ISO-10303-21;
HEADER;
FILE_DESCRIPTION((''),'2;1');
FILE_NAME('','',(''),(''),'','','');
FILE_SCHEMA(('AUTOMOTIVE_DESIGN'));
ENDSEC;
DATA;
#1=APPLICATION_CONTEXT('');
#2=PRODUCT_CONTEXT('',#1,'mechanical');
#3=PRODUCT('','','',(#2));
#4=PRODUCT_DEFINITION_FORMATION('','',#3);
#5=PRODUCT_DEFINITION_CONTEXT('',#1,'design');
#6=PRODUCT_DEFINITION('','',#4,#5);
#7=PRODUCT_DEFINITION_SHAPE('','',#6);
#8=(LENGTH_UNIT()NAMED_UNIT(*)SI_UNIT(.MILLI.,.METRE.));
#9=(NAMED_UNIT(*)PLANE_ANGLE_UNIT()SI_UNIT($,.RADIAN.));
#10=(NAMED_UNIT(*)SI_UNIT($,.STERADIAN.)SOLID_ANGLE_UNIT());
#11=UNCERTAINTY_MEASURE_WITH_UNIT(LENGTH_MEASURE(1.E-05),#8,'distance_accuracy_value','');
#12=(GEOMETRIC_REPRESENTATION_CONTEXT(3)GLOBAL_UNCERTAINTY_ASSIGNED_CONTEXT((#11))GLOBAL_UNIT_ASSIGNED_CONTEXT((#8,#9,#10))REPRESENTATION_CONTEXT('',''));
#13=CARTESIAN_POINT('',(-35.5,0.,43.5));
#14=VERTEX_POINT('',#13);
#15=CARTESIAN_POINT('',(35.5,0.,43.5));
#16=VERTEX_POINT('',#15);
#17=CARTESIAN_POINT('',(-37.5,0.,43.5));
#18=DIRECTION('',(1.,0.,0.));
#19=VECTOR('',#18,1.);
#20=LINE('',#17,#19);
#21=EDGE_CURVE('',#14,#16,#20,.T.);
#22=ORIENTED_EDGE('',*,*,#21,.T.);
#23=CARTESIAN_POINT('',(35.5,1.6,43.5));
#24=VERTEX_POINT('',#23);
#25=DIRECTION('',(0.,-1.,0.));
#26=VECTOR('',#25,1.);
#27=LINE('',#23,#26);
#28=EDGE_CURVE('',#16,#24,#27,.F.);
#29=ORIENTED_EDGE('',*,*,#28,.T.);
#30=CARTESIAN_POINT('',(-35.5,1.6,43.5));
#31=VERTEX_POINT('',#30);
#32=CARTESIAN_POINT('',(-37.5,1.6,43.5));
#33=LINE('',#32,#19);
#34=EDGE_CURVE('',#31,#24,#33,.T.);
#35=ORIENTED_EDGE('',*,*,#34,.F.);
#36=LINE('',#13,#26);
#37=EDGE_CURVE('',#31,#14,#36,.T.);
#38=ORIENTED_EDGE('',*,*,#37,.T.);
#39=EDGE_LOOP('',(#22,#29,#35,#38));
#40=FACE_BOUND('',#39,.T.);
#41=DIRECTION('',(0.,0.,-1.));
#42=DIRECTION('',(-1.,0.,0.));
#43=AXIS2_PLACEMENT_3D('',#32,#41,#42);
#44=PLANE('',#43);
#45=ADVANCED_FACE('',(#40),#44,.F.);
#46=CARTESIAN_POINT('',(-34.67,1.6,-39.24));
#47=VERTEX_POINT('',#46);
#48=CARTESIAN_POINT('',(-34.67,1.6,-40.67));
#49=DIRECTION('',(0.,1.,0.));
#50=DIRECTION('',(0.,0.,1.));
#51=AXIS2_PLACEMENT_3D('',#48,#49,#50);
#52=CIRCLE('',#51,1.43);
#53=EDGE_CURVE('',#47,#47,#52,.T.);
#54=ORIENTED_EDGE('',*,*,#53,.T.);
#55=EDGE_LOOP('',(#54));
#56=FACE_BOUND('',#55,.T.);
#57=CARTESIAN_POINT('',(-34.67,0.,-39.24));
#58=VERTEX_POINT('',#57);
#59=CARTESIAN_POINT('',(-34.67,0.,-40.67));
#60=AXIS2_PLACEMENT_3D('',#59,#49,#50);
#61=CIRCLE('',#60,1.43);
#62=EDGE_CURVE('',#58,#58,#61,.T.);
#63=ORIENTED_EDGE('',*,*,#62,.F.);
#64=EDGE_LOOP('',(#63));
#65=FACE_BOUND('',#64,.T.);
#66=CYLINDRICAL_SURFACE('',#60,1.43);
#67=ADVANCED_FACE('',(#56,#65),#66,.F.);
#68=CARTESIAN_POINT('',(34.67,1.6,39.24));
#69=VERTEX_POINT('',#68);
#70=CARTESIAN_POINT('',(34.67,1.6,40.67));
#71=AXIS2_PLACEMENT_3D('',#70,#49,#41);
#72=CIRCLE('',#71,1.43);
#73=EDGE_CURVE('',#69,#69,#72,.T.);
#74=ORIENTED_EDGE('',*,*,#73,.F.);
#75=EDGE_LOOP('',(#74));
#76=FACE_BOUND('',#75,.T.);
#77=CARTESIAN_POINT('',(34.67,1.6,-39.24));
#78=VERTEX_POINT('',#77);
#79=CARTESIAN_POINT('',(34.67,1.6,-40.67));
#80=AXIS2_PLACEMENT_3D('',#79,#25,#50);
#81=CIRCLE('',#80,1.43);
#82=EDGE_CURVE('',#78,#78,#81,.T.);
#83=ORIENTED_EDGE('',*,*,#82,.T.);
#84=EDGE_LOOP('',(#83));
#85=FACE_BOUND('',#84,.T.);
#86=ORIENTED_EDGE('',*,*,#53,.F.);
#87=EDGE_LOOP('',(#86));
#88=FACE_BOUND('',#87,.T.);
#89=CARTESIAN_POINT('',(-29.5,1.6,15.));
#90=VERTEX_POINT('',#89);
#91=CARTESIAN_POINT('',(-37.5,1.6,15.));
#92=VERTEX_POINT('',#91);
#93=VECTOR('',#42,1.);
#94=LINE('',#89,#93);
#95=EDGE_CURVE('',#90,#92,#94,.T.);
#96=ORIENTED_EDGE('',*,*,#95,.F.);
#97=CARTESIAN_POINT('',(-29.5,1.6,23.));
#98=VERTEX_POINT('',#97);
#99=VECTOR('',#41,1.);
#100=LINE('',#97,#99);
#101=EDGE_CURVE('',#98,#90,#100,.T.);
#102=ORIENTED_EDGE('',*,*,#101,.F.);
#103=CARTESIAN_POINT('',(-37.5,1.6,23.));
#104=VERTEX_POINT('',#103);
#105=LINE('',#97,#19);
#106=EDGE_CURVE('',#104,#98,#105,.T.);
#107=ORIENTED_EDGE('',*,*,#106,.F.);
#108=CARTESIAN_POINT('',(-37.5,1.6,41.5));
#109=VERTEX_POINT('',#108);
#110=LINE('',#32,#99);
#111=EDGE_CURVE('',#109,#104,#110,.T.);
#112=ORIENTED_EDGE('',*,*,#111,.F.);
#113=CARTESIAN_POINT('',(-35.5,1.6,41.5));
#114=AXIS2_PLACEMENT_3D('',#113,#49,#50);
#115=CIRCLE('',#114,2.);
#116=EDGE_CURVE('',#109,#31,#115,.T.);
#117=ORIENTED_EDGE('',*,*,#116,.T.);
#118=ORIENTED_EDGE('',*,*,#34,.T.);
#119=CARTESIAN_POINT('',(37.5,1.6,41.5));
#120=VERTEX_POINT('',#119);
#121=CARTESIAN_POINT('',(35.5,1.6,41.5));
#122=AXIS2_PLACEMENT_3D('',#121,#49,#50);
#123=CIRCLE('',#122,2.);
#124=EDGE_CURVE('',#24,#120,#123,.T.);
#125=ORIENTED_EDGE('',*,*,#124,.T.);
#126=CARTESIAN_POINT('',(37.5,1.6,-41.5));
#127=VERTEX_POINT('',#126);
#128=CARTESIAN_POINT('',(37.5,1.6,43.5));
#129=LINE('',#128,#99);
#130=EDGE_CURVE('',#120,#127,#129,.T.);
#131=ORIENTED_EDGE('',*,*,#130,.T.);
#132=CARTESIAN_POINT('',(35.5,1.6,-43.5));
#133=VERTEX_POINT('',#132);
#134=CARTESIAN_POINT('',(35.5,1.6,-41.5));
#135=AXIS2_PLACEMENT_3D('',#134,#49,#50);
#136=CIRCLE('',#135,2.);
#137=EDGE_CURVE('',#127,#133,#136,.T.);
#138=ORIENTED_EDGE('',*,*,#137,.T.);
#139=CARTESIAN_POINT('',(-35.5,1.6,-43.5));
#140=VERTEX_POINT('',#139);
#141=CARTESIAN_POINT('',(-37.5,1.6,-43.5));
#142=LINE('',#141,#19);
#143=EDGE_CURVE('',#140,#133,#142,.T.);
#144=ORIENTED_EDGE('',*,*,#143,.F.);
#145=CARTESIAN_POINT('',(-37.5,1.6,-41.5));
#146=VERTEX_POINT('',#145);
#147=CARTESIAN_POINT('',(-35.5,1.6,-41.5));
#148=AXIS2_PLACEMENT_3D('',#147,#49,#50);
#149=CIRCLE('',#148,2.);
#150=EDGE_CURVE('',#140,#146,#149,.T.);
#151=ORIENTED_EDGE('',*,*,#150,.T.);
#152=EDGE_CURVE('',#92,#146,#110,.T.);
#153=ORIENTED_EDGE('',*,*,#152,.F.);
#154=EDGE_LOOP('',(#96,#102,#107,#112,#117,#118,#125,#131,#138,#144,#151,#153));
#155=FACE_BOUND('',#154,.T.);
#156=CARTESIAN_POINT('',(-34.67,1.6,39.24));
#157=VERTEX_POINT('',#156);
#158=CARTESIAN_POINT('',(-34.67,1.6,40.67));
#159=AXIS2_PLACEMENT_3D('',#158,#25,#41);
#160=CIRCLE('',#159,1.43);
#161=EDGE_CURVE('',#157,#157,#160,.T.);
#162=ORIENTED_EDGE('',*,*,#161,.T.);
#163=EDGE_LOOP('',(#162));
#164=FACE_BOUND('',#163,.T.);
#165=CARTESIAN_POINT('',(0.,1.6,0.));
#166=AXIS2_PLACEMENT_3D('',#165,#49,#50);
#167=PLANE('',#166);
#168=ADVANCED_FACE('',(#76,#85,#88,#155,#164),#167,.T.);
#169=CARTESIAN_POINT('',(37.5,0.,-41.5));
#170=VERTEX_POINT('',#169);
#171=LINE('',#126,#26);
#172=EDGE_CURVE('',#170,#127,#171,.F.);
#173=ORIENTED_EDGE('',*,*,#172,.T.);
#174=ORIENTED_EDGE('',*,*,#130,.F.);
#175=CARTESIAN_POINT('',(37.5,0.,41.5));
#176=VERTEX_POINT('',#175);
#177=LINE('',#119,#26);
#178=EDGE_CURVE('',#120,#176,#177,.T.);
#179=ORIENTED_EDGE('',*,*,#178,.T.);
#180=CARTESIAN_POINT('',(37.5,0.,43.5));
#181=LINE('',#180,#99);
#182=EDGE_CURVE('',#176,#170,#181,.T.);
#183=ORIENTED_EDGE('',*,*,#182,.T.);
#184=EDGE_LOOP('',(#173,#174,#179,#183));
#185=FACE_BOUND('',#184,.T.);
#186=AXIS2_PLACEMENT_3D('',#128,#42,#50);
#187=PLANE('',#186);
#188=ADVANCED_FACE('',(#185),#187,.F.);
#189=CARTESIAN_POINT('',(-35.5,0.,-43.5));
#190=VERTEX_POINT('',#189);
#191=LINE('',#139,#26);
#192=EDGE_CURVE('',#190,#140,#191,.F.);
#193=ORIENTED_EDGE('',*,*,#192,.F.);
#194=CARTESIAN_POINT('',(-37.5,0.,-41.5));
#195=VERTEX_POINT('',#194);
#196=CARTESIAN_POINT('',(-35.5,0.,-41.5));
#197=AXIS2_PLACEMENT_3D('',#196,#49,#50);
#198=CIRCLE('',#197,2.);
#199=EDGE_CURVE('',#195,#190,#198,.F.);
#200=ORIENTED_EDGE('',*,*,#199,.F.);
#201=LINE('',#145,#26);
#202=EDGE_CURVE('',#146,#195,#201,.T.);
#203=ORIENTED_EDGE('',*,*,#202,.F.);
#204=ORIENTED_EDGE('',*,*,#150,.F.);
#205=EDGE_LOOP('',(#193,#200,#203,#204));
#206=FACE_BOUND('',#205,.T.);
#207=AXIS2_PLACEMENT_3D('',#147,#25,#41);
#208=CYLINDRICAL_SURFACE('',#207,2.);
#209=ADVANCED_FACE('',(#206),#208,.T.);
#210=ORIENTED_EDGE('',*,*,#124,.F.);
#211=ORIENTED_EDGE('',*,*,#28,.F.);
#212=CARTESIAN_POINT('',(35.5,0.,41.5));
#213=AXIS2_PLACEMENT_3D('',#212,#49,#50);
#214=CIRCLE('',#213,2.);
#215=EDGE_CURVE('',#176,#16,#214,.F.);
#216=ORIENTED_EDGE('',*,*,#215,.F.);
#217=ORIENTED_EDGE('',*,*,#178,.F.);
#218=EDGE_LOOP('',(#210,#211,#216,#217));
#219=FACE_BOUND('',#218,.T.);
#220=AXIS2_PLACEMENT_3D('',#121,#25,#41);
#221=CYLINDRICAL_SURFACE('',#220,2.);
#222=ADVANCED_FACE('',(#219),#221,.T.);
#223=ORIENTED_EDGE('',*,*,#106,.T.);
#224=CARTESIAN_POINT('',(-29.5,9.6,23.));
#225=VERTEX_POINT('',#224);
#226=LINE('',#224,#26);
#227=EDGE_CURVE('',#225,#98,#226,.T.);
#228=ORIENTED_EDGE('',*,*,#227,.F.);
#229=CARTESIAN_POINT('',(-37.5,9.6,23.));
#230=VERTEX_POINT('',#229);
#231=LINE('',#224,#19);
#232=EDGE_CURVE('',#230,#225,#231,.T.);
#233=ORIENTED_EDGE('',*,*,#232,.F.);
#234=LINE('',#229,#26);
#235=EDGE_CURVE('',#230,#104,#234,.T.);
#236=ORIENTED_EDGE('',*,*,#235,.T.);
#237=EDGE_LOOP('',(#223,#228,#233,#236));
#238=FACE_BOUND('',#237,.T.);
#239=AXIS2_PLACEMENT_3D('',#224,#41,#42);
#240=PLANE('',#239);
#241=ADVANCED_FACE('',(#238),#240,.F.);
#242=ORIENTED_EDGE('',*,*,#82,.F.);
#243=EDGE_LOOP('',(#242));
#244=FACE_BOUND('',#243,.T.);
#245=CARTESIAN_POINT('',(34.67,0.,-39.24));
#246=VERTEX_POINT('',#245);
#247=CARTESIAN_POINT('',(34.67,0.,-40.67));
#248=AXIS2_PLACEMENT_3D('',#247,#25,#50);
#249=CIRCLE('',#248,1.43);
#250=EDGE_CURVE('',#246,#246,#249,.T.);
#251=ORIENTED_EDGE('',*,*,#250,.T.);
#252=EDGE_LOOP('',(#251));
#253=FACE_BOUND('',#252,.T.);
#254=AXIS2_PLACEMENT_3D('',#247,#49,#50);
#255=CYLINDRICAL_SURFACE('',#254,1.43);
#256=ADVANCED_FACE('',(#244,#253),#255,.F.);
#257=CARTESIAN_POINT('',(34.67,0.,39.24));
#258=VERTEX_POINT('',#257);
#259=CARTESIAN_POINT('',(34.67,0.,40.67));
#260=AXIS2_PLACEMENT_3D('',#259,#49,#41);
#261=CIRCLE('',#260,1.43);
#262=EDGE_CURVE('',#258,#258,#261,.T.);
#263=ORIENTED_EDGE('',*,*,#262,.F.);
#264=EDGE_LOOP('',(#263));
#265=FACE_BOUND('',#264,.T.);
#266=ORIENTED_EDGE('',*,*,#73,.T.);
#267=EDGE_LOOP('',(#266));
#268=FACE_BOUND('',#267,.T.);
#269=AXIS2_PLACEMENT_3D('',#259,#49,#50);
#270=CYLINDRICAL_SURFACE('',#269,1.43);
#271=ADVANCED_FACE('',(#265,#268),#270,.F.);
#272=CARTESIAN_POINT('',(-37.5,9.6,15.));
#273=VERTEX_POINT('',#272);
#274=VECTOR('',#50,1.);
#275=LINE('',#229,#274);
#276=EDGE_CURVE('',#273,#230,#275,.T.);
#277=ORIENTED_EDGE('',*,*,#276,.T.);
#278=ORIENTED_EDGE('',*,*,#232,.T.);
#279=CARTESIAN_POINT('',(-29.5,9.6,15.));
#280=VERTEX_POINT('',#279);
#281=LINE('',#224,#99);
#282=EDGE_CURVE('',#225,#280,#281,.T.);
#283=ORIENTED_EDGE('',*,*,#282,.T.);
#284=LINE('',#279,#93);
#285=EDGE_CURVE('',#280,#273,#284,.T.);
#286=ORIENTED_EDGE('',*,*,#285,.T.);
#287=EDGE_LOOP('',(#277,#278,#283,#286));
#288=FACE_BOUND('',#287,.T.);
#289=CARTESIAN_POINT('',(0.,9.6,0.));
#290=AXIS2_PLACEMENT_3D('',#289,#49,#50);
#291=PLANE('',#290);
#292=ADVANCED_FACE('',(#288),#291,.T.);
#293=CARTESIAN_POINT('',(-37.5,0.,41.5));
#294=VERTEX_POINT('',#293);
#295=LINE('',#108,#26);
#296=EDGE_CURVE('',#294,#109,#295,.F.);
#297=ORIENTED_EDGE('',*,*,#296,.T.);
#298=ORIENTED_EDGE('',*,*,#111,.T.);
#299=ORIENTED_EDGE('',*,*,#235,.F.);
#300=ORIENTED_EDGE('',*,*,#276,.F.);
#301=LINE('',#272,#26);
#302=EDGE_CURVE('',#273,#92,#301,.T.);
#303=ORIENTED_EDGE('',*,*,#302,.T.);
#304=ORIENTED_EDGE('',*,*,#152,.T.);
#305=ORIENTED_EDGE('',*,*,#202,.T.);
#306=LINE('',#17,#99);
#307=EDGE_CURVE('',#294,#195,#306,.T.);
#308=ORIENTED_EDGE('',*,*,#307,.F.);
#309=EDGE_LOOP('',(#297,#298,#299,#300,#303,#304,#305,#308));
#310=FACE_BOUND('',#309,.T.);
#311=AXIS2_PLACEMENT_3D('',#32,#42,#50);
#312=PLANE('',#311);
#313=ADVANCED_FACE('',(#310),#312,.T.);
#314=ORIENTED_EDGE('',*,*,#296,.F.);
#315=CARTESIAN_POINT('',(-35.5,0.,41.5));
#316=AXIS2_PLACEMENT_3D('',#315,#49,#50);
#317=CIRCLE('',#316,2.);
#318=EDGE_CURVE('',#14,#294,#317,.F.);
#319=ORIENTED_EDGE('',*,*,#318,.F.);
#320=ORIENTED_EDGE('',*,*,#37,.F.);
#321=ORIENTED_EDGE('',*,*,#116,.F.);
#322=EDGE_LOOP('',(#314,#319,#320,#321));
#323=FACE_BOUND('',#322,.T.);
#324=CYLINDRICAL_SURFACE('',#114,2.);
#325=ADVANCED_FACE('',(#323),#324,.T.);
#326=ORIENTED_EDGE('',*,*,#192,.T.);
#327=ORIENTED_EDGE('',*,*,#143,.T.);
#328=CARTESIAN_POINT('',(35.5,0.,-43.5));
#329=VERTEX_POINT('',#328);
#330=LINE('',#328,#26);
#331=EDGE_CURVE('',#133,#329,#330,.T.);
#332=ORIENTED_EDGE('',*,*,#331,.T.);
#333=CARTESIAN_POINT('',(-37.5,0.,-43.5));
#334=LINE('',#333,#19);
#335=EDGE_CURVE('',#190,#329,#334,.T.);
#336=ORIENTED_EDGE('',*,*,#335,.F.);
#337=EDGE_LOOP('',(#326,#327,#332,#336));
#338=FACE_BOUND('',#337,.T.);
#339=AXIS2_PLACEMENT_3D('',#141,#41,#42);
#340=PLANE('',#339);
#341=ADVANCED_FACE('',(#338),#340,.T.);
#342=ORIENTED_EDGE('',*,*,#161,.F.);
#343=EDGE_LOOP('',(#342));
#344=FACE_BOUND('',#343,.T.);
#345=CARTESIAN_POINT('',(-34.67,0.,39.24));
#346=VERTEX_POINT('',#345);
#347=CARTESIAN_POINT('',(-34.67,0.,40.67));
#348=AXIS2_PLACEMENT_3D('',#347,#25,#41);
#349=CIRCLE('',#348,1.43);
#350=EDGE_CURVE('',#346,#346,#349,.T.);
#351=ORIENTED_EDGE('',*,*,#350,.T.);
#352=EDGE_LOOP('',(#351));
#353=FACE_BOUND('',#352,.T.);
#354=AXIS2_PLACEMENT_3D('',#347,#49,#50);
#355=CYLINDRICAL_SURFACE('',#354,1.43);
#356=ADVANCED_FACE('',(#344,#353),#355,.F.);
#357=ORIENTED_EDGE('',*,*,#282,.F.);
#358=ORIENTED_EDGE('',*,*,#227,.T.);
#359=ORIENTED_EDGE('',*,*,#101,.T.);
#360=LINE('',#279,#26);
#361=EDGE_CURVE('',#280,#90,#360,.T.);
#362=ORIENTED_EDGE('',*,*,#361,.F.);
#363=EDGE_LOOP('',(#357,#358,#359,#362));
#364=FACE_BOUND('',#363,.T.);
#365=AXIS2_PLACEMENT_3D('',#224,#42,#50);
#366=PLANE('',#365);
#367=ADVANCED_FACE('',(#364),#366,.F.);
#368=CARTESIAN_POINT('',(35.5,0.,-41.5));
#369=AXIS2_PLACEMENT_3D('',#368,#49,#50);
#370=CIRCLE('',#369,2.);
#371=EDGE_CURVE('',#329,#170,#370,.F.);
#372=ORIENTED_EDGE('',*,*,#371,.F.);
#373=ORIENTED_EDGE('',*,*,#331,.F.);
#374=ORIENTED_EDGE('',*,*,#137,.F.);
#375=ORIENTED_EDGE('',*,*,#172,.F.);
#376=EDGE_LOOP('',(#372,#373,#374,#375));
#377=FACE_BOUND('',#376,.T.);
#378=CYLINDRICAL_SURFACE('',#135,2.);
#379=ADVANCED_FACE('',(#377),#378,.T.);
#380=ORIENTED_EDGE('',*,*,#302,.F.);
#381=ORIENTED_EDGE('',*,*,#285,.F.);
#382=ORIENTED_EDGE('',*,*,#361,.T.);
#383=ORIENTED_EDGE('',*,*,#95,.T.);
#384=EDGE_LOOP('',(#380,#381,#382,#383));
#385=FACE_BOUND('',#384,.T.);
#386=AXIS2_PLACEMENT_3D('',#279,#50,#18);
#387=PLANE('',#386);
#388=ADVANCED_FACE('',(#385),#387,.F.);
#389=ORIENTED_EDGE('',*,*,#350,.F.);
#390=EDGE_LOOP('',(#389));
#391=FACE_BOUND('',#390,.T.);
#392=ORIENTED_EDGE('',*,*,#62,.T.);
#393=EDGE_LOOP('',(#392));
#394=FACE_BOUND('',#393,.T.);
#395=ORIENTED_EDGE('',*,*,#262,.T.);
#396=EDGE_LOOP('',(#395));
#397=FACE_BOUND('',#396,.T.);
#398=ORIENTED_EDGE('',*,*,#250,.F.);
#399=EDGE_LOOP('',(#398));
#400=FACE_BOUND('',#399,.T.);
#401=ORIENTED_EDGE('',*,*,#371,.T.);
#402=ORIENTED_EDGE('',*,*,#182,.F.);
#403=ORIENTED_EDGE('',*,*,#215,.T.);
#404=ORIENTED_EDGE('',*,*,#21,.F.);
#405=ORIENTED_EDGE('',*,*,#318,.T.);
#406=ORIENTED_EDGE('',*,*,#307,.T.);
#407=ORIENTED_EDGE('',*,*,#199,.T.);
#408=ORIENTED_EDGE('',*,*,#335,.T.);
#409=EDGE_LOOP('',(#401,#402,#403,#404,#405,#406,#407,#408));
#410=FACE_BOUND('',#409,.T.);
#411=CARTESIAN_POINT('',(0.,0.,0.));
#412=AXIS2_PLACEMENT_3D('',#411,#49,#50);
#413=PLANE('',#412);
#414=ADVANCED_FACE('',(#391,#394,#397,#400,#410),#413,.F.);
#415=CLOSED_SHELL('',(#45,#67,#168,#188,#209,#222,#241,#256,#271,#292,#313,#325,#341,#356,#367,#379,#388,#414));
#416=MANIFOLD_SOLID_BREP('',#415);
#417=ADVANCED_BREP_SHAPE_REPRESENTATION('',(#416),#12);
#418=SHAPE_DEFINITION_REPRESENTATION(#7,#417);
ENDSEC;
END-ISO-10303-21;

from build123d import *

# Parameters (mm, degrees)
SKETCH1_W                                  = 75
SKETCH1_H                                  = 87
BOSS_EXTRUDE1_DEPTH                        = 1.6
SKETCH2_R                                  = 1.43
CUT_EXTRUDE1_DEPTH                         = 58.45485184
MIRROR1_AT_THE_SECOND_PLANE_COPY_1_SKETC_R = 1.43
MIRROR1_AT_THE_SECOND_PLANE_COPY_1_DEPTH   = 58.45485184
FILLET1_R                                  = 2
SKETCH3_W                                  = 8
SKETCH3_H                                  = 8
BOSS_EXTRUDE2_DEPTH                        = 8


with BuildPart() as part:
    # Sketch1 → Boss-Extrude1 (new body)
    with BuildSketch(Plane(origin=(0, 0, 0), x_dir=(1, 0, 0), z_dir=(0, 1, 0))):
        Rectangle(SKETCH1_W, SKETCH1_H)
    extrude(amount=BOSS_EXTRUDE1_DEPTH)

    # Sketch2 → Cut-Extrude1 (cut, through all)
    with BuildSketch(Plane(origin=(0, 1.6, 0), x_dir=(1, 0, 0), z_dir=(0, 1, 0))):
        with Locations(Location((-34.67, 40.67, 0), (0, 0, 270))):
            Circle(SKETCH2_R)
    cut_extrude1 = extrude(amount=-CUT_EXTRUDE1_DEPTH, mode=Mode.SUBTRACT)

    # Mirror1: Cut-Extrude1 across plane
    add(cut_extrude1.mirror(Plane.XY), mode=Mode.SUBTRACT)

    # Mirror1 at the second plane: Cut-Extrude1 across plane
    add(cut_extrude1.mirror(Plane(origin=(0, 0, 0), x_dir=(0, 0, 1), z_dir=(1, 0, 0))), mode=Mode.SUBTRACT)

    # Mirror1 at the second plane copy 1 sketc → Mirror1 at the second plane copy 1 (cut, through all)
    with BuildSketch(Plane(origin=(0, 1.6, 0), x_dir=(-1, 0, 0), z_dir=(0, 1, 0))):
        with Locations(Location((-34.67, 40.67, 0), (0, 0, 270))):
            Circle(MIRROR1_AT_THE_SECOND_PLANE_COPY_1_SKETC_R)
    extrude(amount=-MIRROR1_AT_THE_SECOND_PLANE_COPY_1_DEPTH, mode=Mode.SUBTRACT)

    # Fillet1
    fillet1_edges = [part.edges().sort_by_distance(p)[0] for p in [
        (-37.5, 0.8, 43.5),
        (-37.5, 0.8, -43.5),
        (37.5, 0.8, -43.5),
        (37.5, 0.8, 43.5),
    ]]
    fillet(fillet1_edges, radius=FILLET1_R)

    # Sketch3 → Boss-Extrude2 (add)
    with BuildSketch(Plane(origin=(0, 1.6, 0), x_dir=(1, 0, 0), z_dir=(0, 1, 0))):
        with Locations((-33.5, -19)):
            Rectangle(SKETCH3_W, SKETCH3_H)
    extrude(amount=BOSS_EXTRUDE2_DEPTH)


solid = part.part
